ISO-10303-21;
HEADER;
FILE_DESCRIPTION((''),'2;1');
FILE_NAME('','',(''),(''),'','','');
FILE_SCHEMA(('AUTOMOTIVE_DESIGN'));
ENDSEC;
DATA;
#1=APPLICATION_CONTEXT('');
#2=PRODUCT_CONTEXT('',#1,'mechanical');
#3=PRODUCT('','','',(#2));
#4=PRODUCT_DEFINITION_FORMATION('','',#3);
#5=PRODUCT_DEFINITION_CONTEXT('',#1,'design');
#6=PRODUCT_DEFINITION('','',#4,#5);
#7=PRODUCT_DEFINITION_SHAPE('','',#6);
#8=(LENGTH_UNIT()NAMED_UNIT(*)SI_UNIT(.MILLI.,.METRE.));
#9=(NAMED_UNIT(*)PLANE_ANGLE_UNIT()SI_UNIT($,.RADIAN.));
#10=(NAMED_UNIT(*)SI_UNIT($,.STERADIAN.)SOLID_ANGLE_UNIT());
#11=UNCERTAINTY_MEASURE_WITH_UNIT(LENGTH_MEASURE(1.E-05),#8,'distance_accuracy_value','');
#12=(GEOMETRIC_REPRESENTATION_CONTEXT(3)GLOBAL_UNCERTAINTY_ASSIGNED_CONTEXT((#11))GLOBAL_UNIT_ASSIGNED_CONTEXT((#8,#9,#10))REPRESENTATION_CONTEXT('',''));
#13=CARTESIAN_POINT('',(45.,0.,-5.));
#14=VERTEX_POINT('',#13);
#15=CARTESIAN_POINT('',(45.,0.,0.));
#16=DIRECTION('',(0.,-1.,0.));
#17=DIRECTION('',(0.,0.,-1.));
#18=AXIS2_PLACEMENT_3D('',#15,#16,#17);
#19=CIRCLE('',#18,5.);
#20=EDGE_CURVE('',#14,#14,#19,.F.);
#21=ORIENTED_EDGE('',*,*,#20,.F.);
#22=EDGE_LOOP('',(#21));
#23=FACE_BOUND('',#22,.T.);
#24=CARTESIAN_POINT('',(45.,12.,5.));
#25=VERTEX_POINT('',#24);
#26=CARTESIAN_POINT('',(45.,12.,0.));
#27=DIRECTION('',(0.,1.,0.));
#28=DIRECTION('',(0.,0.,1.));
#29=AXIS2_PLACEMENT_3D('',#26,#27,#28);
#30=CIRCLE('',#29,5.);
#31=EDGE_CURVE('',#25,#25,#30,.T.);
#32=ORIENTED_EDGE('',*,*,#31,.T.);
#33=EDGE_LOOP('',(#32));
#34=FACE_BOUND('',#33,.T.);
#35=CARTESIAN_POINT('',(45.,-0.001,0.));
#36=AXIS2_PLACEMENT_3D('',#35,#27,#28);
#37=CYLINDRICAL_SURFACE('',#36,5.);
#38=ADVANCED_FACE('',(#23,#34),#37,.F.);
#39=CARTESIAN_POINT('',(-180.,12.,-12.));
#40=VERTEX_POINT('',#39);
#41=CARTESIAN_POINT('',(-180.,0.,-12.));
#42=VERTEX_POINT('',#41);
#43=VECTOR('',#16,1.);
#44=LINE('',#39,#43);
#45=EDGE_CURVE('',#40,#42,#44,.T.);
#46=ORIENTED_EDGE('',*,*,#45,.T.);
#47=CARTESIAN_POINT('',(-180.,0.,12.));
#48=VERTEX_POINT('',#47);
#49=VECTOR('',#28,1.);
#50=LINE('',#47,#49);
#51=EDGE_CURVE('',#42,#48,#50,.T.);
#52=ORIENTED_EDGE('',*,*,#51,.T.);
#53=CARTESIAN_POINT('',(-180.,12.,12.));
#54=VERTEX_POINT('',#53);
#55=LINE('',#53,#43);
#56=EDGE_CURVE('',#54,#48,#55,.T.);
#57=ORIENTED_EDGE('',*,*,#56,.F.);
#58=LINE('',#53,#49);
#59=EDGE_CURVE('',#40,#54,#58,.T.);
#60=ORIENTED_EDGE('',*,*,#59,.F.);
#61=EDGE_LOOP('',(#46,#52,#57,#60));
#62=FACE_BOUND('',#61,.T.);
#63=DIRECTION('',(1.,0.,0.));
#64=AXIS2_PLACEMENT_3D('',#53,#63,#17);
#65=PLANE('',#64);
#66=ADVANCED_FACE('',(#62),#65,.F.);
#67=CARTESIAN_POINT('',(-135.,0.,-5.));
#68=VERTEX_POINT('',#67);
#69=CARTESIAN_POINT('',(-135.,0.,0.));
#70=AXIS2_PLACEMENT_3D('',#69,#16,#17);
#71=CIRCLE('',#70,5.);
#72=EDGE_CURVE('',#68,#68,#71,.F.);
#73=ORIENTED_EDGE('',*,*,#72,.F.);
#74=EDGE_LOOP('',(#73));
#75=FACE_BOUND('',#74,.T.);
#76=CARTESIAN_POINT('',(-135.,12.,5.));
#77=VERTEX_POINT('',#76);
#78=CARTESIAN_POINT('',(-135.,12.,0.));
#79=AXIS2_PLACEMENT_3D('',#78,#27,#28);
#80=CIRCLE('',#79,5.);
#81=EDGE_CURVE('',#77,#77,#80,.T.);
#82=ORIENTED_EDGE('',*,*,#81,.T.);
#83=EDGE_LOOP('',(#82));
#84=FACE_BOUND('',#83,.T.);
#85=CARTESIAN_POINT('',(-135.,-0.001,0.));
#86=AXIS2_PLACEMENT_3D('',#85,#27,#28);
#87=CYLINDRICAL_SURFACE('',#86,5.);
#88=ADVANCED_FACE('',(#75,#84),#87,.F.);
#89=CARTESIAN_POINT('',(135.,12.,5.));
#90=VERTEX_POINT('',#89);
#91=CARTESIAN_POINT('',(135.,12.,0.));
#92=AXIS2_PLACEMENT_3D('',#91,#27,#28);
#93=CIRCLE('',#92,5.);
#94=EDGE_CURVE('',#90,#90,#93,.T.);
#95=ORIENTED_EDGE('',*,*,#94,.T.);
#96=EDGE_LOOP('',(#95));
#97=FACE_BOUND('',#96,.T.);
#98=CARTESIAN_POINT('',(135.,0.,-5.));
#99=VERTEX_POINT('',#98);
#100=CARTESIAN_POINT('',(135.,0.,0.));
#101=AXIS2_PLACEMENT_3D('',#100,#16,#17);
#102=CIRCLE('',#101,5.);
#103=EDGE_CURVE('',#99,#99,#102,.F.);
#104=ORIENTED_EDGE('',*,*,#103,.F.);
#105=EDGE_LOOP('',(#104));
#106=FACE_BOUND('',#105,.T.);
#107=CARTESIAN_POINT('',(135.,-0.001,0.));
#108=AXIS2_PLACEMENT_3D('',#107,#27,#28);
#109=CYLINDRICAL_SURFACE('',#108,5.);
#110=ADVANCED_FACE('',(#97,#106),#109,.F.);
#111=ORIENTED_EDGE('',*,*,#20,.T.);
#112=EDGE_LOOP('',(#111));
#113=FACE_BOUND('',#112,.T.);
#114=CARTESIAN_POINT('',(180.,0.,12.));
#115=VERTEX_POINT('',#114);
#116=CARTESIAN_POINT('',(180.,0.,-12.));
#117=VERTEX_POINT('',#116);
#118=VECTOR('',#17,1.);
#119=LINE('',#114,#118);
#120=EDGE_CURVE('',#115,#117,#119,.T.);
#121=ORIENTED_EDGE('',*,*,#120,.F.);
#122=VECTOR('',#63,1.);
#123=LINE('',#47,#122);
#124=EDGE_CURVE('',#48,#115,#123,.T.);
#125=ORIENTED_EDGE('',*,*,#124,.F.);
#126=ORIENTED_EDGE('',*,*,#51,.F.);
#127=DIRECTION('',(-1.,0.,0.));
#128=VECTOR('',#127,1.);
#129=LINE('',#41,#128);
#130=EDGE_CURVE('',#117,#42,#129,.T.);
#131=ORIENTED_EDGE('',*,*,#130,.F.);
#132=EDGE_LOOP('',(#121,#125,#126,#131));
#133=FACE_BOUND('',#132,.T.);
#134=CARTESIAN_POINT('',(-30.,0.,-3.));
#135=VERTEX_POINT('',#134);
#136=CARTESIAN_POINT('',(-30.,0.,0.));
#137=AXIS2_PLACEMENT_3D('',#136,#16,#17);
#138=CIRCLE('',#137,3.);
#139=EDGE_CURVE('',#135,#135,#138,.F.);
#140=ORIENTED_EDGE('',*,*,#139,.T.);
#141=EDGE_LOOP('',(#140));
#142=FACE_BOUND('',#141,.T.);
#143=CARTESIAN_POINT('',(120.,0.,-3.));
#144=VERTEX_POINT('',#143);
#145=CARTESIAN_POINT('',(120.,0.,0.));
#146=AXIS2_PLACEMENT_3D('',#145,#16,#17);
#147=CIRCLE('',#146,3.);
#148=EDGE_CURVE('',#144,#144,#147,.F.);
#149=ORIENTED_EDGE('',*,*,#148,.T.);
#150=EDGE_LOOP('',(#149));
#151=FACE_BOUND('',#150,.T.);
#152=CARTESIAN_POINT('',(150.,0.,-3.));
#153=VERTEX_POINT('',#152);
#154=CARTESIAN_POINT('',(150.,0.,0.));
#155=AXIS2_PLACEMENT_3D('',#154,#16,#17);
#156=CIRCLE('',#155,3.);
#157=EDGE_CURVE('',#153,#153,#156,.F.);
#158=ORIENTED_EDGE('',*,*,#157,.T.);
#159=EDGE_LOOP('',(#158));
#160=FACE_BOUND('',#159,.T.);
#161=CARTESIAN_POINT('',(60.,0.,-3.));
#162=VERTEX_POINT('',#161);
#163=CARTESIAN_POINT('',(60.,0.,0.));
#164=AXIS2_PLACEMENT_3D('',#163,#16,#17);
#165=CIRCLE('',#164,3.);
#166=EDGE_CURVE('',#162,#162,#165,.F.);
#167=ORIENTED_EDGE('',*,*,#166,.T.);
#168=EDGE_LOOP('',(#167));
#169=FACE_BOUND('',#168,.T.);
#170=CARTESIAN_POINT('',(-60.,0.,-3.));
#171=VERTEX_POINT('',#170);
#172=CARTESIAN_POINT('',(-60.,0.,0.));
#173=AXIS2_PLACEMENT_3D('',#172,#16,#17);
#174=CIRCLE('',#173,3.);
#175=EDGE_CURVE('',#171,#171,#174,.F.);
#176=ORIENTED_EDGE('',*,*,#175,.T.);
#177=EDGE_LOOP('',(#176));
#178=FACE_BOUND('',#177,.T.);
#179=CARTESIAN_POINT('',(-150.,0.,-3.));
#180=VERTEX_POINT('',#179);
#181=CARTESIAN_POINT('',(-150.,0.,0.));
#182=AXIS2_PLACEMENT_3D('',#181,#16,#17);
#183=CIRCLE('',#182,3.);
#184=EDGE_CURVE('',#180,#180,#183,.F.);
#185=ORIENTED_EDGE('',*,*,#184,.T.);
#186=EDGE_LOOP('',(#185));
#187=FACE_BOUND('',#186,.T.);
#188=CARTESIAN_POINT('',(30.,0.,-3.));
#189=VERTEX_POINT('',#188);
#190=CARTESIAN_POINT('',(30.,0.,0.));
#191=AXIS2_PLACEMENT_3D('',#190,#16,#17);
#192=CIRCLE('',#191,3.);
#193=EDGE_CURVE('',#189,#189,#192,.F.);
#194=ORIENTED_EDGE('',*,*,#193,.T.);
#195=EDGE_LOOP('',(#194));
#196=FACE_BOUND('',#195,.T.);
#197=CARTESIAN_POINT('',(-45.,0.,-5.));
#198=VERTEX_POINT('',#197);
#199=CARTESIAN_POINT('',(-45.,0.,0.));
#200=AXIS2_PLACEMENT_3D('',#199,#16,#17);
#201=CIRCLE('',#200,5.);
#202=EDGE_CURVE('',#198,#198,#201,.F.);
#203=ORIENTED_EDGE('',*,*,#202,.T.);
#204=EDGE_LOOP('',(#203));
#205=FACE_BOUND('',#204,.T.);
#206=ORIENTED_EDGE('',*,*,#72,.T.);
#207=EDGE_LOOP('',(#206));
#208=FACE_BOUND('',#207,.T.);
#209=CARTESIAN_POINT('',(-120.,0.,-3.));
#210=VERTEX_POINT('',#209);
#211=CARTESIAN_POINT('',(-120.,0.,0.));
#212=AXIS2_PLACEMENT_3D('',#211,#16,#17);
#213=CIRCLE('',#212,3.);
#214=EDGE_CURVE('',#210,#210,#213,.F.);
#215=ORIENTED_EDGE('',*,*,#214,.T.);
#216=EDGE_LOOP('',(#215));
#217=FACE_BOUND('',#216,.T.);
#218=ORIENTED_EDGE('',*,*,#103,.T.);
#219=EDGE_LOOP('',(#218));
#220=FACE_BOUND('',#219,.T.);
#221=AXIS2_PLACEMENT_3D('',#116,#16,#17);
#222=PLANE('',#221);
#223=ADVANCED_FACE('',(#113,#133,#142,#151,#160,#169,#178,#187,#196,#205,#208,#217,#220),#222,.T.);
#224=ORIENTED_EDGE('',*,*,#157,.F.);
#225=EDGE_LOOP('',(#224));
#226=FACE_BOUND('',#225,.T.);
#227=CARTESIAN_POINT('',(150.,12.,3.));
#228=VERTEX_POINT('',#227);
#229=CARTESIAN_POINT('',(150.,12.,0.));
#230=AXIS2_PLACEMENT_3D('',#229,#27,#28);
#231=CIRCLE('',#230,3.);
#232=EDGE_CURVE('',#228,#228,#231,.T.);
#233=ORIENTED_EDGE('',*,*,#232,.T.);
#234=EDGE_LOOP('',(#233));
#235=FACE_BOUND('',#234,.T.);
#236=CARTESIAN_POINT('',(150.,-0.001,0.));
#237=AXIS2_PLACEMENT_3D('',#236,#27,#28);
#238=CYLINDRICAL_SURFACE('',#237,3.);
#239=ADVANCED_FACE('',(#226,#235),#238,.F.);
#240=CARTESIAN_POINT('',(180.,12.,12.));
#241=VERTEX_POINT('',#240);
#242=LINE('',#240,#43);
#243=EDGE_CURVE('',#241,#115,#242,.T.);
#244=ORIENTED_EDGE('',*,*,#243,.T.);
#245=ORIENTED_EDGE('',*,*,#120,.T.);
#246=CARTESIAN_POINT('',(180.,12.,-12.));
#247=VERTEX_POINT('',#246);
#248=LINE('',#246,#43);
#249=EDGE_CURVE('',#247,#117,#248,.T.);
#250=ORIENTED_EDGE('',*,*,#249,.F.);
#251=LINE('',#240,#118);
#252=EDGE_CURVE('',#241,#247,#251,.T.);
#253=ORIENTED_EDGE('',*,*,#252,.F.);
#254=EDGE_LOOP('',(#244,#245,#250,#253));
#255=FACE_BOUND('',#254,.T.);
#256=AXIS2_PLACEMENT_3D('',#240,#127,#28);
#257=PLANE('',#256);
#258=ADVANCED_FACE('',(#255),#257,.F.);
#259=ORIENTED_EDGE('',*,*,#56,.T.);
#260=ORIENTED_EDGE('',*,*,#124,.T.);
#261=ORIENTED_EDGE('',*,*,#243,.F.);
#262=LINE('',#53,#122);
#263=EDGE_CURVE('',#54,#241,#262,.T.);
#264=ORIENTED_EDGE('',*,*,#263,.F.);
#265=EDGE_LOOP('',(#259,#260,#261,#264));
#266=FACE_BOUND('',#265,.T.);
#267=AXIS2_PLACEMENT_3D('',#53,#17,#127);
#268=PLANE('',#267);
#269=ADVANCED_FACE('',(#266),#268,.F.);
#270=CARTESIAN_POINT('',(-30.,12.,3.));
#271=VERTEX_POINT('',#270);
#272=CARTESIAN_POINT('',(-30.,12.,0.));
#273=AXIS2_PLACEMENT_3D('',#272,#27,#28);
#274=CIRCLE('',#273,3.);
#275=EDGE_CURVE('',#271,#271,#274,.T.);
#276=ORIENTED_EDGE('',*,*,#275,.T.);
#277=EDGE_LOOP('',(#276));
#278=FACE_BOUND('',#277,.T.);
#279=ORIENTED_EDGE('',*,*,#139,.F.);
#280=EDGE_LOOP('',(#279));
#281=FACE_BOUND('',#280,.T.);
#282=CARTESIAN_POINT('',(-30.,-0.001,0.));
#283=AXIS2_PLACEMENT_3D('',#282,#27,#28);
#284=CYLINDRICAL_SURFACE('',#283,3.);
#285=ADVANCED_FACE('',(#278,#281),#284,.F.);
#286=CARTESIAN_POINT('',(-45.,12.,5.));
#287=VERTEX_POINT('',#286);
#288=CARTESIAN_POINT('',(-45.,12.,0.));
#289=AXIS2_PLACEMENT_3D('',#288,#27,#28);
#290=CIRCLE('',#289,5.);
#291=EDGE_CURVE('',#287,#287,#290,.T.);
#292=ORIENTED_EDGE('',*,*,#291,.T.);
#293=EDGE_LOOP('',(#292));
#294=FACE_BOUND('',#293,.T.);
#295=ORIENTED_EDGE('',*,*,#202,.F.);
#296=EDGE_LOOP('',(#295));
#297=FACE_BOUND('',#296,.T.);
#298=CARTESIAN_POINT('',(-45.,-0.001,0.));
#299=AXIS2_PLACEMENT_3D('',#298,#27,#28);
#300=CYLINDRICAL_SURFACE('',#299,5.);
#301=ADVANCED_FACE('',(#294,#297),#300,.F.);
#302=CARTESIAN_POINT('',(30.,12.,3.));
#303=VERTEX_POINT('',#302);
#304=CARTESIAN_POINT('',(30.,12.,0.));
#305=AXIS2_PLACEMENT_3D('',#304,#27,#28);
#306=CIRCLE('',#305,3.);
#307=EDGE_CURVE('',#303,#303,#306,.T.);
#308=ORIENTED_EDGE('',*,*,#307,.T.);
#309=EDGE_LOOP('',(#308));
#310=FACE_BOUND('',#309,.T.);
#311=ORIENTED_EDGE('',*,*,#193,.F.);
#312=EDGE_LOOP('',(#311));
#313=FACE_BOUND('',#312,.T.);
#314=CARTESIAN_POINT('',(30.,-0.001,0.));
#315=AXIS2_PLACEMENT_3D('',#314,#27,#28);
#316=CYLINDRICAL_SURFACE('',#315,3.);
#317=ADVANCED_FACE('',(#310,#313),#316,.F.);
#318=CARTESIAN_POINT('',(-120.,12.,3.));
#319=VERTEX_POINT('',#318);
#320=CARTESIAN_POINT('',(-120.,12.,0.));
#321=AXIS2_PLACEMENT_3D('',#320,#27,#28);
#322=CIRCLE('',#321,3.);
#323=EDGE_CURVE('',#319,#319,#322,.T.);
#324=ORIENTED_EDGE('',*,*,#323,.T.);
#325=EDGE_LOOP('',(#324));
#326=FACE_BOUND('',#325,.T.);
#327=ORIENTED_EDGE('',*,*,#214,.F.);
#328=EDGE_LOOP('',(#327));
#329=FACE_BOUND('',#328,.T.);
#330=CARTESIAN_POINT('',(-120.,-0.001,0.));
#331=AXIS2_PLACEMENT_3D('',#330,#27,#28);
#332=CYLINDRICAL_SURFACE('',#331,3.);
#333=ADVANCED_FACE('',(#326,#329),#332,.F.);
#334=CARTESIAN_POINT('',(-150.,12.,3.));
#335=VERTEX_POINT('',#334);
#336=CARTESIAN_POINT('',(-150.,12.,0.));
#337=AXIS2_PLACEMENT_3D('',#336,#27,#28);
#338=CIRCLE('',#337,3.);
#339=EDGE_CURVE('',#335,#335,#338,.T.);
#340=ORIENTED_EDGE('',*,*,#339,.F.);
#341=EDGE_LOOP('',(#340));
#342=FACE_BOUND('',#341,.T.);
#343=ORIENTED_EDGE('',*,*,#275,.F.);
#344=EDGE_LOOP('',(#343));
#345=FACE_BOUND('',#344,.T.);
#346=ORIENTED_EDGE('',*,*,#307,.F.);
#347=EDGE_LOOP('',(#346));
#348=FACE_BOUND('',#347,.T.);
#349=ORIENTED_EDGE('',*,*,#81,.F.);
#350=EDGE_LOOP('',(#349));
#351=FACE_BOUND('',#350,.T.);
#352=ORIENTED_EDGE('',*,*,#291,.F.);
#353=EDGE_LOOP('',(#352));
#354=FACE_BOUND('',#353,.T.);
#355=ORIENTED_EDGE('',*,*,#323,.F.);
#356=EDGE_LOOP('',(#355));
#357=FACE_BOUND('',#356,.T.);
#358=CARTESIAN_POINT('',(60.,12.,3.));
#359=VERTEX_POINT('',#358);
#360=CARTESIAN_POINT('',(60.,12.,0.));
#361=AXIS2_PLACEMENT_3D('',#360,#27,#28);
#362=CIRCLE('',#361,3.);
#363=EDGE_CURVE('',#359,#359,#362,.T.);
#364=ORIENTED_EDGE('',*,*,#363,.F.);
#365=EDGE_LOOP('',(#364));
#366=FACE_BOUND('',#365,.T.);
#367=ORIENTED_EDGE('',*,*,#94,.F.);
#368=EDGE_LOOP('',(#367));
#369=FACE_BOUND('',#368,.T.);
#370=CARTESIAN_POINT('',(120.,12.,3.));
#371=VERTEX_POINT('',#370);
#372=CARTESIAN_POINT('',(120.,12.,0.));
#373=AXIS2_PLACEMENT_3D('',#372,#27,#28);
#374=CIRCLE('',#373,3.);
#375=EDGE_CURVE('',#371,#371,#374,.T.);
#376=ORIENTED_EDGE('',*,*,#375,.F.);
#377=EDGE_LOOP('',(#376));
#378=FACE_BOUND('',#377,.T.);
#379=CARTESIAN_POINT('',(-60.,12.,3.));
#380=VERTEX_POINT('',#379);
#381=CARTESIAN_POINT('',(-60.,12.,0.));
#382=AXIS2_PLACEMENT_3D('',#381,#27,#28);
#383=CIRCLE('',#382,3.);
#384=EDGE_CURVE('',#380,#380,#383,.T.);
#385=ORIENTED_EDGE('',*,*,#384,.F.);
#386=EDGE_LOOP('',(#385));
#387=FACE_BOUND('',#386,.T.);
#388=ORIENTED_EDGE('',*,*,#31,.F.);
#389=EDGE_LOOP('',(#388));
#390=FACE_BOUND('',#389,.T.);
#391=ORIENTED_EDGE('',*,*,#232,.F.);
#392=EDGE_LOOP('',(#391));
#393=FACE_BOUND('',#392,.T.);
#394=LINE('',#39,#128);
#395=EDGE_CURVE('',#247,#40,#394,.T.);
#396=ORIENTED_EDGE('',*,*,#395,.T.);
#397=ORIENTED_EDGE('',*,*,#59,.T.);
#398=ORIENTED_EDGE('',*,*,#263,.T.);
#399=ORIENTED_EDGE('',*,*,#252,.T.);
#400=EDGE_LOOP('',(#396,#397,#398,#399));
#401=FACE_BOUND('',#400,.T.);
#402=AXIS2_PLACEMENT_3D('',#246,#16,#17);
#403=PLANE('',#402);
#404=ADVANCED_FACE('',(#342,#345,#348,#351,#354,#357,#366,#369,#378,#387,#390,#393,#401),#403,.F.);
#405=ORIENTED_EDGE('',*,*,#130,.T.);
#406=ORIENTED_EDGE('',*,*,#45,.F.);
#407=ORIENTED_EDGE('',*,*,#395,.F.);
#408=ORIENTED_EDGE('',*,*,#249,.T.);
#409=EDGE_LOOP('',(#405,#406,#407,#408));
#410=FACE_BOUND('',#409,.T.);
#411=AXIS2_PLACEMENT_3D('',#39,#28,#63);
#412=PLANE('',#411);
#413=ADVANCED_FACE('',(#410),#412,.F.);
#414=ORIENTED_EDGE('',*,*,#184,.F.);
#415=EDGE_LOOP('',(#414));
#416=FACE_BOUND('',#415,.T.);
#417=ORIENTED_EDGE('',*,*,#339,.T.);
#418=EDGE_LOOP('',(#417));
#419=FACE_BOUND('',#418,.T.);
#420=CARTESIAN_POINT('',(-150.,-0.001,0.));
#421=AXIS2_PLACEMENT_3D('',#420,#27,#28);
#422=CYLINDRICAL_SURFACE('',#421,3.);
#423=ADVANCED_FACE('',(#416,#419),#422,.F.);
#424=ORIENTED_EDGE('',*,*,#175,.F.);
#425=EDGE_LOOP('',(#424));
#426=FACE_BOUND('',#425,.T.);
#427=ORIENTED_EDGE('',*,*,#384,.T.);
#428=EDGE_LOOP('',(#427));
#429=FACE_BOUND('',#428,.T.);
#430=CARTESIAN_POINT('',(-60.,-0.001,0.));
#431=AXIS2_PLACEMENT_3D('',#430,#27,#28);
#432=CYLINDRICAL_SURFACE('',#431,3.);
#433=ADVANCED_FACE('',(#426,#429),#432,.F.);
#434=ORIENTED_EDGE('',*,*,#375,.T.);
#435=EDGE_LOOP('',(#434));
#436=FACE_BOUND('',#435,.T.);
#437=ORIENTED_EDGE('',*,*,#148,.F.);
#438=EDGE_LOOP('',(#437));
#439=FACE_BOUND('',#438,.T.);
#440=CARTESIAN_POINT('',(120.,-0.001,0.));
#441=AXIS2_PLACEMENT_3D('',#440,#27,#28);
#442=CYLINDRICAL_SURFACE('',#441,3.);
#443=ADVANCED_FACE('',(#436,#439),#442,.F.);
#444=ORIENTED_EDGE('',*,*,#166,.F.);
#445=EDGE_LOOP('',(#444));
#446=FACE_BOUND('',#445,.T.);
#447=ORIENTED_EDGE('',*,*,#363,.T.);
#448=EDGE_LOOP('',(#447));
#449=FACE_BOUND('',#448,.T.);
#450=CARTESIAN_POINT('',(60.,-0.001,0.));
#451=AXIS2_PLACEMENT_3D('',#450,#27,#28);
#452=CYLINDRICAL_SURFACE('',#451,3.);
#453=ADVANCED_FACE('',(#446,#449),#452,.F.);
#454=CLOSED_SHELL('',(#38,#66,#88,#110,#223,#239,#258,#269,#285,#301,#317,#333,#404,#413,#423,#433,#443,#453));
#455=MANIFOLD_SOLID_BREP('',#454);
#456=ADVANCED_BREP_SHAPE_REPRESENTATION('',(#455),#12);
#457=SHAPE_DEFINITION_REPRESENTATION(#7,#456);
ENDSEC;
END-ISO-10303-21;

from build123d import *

# Parameters (mm, degrees)
SKETCH1_W           = 360
SKETCH1_H           = 24
BOSS_EXTRUDE1_DEPTH = 12
CUT_EXTRUDE1_REACH  = 182.798
SKETCH2_R           = 3
SKETCH2_R_2         = 5
LPATTERN1_COUNT     = 4
LPATTERN1_PITCH     = 90


with BuildPart() as part:
    # Sketch1 → Boss-Extrude1 (new body)
    with BuildSketch(Plane(origin=(0, 0, 0), x_dir=(1, 0, 0), z_dir=(0, 1, 0))):
        Rectangle(SKETCH1_W, SKETCH1_H)
    extrude(amount=BOSS_EXTRUDE1_DEPTH)

    # Sketch2 → Cut-Extrude1 (cut, up to next)
    with BuildSketch(Plane(origin=(0, 12, 0), x_dir=(1, 0, 0), z_dir=(0, 1, 0)), mode=Mode.PRIVATE) as cut_extrude1_sk1:
        with Locations(Location((-150, 0, 0), (0, 0, 270))):
            Circle(SKETCH2_R)
    cut_extrude1_tool1 = extrude(cut_extrude1_sk1.sketch, amount=-CUT_EXTRUDE1_REACH, mode=Mode.PRIVATE) & part.part
    # Sketch2 → Cut-Extrude1 (cut, up to next)
    with BuildSketch(Plane(origin=(0, 12, 0), x_dir=(1, 0, 0), z_dir=(0, 1, 0)), mode=Mode.PRIVATE) as cut_extrude1_sk2:
        with Locations(Location((-120, 0, 0), (0, 0, 270))):
            Circle(SKETCH2_R)
    cut_extrude1_tool2 = extrude(cut_extrude1_sk2.sketch, amount=-CUT_EXTRUDE1_REACH, mode=Mode.PRIVATE) & part.part
    # Sketch2 → Cut-Extrude1 (cut, up to next)
    with BuildSketch(Plane(origin=(0, 12, 0), x_dir=(1, 0, 0), z_dir=(0, 1, 0)), mode=Mode.PRIVATE) as cut_extrude1_sk3:
        with Locations(Location((-135, 0, 0), (0, 0, 270))):
            Circle(SKETCH2_R_2)
    cut_extrude1_tool3 = extrude(cut_extrude1_sk3.sketch, amount=-CUT_EXTRUDE1_REACH, mode=Mode.PRIVATE) & part.part
    cut_extrude1_1 = cut_extrude1_tool1.solids().sort_by_distance((-150, 12, 0))[0]
    add(cut_extrude1_1, mode=Mode.SUBTRACT)
    cut_extrude1_2 = cut_extrude1_tool2.solids().sort_by_distance((-120, 12, 0))[0]
    add(cut_extrude1_2, mode=Mode.SUBTRACT)
    cut_extrude1_3 = cut_extrude1_tool3.solids().sort_by_distance((-135, 12, 0))[0]
    add(cut_extrude1_3, mode=Mode.SUBTRACT)
    cut_extrude1 = cut_extrude1_1 + cut_extrude1_2 + cut_extrude1_3  # Cut-Extrude1 as one shape, for the pattern or mirror that repeats it

    # LPattern1: Cut-Extrude1 ×4
    with Locations(*[(i * LPATTERN1_PITCH, 0, 0) for i in range(1, LPATTERN1_COUNT)]):
        add(cut_extrude1, mode=Mode.SUBTRACT)


solid = part.part
